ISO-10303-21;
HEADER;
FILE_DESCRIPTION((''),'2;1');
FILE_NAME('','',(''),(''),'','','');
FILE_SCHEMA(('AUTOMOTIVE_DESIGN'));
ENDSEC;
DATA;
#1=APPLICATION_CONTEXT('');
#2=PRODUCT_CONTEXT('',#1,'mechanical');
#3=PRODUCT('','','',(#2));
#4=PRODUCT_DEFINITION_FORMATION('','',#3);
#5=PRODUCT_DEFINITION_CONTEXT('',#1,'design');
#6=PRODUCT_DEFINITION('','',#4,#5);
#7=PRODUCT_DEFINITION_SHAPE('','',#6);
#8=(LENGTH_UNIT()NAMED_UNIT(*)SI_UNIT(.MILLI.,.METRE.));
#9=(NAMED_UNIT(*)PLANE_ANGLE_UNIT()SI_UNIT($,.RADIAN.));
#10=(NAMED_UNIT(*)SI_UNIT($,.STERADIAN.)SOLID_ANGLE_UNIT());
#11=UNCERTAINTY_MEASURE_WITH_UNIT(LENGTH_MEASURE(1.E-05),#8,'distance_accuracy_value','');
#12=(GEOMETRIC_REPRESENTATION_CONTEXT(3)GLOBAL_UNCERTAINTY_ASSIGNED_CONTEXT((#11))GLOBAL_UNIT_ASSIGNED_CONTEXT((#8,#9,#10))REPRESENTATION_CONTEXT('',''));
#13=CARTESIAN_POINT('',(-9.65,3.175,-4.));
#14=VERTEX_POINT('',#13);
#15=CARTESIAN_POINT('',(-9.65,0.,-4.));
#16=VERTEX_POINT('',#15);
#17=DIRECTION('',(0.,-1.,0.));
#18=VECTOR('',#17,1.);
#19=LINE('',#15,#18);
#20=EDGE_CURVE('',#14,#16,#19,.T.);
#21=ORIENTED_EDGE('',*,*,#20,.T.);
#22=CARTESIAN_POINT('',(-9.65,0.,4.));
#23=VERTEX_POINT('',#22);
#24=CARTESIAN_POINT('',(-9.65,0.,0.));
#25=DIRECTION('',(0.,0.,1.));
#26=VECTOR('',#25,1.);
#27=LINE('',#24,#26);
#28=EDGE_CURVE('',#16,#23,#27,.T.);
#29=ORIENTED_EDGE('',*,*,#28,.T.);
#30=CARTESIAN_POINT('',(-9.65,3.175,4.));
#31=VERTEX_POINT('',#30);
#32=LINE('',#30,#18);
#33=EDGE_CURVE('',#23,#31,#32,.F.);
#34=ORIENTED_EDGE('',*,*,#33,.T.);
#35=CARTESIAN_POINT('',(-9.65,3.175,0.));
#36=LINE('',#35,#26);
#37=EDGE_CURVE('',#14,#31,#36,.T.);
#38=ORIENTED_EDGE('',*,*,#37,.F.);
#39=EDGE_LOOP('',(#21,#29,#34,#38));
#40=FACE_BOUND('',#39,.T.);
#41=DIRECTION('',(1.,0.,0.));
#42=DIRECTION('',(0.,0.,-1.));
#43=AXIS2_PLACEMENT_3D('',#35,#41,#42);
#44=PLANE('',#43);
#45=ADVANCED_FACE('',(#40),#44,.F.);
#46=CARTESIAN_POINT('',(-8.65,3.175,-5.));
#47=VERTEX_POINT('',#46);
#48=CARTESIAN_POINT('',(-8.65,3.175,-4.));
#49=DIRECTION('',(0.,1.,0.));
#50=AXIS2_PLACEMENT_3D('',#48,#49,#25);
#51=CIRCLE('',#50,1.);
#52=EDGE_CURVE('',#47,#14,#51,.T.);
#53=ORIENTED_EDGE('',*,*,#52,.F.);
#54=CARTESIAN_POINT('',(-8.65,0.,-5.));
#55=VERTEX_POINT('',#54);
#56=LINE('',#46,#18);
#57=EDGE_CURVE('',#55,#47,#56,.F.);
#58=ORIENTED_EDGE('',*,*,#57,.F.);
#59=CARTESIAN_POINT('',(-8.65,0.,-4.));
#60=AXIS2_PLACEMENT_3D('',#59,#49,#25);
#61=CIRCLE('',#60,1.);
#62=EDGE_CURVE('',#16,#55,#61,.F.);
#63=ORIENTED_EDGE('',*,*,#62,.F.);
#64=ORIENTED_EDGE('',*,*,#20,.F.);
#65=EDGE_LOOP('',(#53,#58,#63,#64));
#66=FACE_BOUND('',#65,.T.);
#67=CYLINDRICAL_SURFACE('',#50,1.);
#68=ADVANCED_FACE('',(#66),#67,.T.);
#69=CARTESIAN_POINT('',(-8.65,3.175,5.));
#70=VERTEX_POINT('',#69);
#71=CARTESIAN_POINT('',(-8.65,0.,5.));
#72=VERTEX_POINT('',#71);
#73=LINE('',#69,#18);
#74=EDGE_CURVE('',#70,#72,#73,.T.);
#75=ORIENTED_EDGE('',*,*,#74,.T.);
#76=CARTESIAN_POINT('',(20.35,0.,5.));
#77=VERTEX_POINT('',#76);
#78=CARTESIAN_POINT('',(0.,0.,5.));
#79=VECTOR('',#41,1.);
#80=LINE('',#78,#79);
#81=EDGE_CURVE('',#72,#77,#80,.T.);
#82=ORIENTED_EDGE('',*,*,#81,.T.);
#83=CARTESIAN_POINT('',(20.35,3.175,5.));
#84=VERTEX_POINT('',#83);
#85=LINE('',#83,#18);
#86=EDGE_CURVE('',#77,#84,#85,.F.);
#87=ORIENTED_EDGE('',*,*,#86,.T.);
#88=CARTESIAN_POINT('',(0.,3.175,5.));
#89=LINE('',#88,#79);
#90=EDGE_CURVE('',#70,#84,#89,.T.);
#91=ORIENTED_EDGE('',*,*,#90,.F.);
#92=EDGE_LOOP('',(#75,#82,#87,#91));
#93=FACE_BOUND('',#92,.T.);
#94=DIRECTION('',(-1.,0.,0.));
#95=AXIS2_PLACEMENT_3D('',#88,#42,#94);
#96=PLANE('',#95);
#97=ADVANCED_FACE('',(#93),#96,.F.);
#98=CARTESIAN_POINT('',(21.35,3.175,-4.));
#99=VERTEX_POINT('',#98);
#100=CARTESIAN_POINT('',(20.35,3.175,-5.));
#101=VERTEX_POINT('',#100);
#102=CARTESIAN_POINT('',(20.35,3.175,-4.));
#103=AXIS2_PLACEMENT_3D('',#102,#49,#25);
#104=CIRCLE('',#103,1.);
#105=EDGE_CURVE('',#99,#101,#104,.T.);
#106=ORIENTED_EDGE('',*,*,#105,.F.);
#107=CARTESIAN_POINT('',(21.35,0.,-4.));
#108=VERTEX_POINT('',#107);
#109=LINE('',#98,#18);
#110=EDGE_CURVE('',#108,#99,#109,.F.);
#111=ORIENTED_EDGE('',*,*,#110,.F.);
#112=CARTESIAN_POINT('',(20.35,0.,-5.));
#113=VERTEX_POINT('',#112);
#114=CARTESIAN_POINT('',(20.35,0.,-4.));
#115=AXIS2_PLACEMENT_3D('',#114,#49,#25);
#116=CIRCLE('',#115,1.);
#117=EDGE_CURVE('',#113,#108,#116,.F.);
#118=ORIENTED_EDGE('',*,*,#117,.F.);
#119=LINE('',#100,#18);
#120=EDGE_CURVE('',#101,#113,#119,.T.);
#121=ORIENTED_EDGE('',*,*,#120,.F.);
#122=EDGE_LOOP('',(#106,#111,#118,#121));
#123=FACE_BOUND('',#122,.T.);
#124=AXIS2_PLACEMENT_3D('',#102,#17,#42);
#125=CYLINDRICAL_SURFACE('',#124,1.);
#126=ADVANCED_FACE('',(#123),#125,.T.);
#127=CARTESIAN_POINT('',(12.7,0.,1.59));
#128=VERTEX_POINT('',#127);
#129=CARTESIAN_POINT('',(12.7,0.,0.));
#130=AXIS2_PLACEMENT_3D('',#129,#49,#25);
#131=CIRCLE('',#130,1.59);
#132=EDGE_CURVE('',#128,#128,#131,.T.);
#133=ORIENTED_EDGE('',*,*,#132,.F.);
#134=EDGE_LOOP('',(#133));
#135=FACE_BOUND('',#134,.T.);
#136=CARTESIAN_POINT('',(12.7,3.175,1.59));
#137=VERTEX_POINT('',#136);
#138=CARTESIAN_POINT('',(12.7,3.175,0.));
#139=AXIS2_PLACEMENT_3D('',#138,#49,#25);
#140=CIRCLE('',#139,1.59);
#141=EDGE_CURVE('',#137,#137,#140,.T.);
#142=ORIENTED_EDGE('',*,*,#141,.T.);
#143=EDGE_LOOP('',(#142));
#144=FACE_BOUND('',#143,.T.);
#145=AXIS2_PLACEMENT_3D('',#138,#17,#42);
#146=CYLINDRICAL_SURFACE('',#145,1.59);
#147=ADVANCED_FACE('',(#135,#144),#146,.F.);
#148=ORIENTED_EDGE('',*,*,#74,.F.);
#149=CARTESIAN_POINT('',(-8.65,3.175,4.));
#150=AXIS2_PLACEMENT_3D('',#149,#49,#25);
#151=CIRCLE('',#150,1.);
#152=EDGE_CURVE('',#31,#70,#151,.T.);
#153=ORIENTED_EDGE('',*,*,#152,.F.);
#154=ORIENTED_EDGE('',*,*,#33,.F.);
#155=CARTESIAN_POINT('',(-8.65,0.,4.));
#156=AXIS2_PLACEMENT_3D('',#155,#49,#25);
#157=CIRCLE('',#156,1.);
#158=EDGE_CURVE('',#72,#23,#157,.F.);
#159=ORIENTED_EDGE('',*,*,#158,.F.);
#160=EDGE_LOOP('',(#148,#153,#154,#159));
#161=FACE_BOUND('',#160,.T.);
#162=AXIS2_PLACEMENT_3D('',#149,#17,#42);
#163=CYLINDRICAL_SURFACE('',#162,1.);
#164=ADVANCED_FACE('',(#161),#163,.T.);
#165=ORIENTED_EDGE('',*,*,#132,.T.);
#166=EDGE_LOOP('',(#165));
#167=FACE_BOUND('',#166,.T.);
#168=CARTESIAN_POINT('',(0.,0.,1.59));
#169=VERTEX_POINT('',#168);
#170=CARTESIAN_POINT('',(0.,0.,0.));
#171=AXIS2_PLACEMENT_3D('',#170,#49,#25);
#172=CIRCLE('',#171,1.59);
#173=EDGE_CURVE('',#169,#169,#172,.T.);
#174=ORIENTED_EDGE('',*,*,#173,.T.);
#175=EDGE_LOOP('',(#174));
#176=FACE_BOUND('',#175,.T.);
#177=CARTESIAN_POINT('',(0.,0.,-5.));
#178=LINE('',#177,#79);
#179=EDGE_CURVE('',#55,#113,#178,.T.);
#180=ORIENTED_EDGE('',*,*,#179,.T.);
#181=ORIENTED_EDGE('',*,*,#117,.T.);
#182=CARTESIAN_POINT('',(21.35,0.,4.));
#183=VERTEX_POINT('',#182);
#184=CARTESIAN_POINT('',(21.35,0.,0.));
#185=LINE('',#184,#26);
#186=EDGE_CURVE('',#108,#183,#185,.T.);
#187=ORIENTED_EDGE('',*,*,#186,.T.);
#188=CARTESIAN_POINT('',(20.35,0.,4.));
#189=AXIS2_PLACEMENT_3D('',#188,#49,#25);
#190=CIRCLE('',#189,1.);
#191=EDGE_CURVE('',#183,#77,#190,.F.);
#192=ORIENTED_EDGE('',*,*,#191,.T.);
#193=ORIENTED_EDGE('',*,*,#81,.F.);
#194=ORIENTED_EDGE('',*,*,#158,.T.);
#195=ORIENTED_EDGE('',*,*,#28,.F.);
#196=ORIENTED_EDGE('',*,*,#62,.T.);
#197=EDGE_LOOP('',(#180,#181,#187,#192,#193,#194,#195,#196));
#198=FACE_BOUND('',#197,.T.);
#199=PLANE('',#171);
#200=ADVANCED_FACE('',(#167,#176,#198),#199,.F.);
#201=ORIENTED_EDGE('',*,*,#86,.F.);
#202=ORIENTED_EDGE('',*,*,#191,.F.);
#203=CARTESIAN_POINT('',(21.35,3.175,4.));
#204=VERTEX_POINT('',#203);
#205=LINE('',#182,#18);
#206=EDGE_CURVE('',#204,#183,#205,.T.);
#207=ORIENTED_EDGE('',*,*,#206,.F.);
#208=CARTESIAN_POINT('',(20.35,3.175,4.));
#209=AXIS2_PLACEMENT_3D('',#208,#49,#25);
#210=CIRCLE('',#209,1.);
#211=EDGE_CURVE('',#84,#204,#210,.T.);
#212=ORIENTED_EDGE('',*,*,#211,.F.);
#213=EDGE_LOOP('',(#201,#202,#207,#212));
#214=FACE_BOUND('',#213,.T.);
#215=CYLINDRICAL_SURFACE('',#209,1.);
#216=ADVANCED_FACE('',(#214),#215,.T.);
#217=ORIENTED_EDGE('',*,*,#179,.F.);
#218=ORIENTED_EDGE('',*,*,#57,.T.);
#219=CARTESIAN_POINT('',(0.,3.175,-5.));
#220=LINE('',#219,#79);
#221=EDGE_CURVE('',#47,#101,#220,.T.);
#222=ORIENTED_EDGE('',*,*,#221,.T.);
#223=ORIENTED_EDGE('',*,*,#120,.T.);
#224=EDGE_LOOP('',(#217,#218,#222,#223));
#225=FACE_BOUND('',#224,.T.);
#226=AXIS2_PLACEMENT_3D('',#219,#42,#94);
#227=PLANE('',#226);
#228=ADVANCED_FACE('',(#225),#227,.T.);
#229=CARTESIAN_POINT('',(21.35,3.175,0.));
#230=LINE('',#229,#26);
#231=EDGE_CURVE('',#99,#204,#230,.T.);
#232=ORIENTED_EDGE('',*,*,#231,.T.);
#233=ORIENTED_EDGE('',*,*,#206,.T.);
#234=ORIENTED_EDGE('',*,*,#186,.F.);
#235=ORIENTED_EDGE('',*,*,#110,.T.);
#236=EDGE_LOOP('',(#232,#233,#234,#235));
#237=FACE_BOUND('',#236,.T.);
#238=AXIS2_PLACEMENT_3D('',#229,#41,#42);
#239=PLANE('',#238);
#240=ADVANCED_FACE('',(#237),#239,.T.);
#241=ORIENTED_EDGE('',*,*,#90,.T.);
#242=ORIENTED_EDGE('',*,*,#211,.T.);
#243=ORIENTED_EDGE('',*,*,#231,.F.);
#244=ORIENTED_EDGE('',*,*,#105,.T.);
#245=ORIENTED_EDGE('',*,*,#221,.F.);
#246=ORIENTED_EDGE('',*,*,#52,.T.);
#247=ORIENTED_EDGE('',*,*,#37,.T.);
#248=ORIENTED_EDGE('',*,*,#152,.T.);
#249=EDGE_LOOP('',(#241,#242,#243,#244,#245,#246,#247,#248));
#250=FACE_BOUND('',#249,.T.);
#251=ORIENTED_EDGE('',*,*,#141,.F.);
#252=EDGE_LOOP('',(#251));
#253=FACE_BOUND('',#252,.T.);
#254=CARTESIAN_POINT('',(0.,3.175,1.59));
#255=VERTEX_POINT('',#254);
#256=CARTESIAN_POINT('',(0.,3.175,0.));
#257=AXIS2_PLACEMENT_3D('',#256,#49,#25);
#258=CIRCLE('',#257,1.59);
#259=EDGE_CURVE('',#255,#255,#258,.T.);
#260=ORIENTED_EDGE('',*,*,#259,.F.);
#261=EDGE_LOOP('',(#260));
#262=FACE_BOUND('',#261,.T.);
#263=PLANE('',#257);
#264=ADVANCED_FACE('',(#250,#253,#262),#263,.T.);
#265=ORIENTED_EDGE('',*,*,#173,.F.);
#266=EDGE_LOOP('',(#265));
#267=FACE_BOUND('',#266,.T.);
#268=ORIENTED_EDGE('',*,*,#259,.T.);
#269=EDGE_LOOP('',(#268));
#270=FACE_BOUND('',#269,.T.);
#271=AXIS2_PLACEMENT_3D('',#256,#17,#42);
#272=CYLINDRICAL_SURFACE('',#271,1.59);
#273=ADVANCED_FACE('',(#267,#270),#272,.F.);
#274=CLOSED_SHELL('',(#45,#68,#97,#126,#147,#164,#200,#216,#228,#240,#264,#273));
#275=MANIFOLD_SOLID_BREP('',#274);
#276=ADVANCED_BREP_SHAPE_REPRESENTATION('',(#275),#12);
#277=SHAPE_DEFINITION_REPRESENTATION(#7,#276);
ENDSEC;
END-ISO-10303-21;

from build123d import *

# Parameters (mm, degrees)
SKETCH1_W           = 20
SKETCH1_H           = 10
SKETCH1_R           = 1.59
SKETCH1_W_2         = 6
SKETCH1_W_3         = 5
BOSS_EXTRUDE1_DEPTH = 3.175
FILLET1_R           = 1


with BuildPart() as part:
    # Sketch1 → Boss-Extrude1 (new body)
    # profile 1 of 3: a face of its own
    with BuildSketch(Plane(origin=(0, 0, 0), x_dir=(1, 0, 0), z_dir=(0, 1, 0))):
        with Locations((6.35, 0)):
            Rectangle(SKETCH1_W, SKETCH1_H)
        with Locations(Location((0, 0, 0), (0, 0, 270))):
            Circle(SKETCH1_R, mode=Mode.SUBTRACT)
        with Locations(Location((12.7, 0, 0), (0, 0, 270))):
            Circle(SKETCH1_R, mode=Mode.SUBTRACT)
    # profile 2 of 3: a face of its own
    with BuildSketch(Plane(origin=(0, 0, 0), x_dir=(1, 0, 0), z_dir=(0, 1, 0))):
        with Locations((-6.65, 0)):
            Rectangle(SKETCH1_W_2, SKETCH1_H)
    # profile 3 of 3: a face of its own
    with BuildSketch(Plane(origin=(0, 0, 0), x_dir=(1, 0, 0), z_dir=(0, 1, 0))):
        with Locations((18.85, 0)):
            Rectangle(SKETCH1_W_3, SKETCH1_H)
    extrude(amount=BOSS_EXTRUDE1_DEPTH)

    # Fillet1
    fillet1_edges = [part.edges().sort_by_distance(p)[0] for p in [
        (-9.65, 1.5875, 5),
        (-9.65, 1.5875, -5),
        (21.35, 1.5875, -5),
        (21.35, 1.5875, 5),
    ]]
    fillet(fillet1_edges, radius=FILLET1_R)


solid = part.part
